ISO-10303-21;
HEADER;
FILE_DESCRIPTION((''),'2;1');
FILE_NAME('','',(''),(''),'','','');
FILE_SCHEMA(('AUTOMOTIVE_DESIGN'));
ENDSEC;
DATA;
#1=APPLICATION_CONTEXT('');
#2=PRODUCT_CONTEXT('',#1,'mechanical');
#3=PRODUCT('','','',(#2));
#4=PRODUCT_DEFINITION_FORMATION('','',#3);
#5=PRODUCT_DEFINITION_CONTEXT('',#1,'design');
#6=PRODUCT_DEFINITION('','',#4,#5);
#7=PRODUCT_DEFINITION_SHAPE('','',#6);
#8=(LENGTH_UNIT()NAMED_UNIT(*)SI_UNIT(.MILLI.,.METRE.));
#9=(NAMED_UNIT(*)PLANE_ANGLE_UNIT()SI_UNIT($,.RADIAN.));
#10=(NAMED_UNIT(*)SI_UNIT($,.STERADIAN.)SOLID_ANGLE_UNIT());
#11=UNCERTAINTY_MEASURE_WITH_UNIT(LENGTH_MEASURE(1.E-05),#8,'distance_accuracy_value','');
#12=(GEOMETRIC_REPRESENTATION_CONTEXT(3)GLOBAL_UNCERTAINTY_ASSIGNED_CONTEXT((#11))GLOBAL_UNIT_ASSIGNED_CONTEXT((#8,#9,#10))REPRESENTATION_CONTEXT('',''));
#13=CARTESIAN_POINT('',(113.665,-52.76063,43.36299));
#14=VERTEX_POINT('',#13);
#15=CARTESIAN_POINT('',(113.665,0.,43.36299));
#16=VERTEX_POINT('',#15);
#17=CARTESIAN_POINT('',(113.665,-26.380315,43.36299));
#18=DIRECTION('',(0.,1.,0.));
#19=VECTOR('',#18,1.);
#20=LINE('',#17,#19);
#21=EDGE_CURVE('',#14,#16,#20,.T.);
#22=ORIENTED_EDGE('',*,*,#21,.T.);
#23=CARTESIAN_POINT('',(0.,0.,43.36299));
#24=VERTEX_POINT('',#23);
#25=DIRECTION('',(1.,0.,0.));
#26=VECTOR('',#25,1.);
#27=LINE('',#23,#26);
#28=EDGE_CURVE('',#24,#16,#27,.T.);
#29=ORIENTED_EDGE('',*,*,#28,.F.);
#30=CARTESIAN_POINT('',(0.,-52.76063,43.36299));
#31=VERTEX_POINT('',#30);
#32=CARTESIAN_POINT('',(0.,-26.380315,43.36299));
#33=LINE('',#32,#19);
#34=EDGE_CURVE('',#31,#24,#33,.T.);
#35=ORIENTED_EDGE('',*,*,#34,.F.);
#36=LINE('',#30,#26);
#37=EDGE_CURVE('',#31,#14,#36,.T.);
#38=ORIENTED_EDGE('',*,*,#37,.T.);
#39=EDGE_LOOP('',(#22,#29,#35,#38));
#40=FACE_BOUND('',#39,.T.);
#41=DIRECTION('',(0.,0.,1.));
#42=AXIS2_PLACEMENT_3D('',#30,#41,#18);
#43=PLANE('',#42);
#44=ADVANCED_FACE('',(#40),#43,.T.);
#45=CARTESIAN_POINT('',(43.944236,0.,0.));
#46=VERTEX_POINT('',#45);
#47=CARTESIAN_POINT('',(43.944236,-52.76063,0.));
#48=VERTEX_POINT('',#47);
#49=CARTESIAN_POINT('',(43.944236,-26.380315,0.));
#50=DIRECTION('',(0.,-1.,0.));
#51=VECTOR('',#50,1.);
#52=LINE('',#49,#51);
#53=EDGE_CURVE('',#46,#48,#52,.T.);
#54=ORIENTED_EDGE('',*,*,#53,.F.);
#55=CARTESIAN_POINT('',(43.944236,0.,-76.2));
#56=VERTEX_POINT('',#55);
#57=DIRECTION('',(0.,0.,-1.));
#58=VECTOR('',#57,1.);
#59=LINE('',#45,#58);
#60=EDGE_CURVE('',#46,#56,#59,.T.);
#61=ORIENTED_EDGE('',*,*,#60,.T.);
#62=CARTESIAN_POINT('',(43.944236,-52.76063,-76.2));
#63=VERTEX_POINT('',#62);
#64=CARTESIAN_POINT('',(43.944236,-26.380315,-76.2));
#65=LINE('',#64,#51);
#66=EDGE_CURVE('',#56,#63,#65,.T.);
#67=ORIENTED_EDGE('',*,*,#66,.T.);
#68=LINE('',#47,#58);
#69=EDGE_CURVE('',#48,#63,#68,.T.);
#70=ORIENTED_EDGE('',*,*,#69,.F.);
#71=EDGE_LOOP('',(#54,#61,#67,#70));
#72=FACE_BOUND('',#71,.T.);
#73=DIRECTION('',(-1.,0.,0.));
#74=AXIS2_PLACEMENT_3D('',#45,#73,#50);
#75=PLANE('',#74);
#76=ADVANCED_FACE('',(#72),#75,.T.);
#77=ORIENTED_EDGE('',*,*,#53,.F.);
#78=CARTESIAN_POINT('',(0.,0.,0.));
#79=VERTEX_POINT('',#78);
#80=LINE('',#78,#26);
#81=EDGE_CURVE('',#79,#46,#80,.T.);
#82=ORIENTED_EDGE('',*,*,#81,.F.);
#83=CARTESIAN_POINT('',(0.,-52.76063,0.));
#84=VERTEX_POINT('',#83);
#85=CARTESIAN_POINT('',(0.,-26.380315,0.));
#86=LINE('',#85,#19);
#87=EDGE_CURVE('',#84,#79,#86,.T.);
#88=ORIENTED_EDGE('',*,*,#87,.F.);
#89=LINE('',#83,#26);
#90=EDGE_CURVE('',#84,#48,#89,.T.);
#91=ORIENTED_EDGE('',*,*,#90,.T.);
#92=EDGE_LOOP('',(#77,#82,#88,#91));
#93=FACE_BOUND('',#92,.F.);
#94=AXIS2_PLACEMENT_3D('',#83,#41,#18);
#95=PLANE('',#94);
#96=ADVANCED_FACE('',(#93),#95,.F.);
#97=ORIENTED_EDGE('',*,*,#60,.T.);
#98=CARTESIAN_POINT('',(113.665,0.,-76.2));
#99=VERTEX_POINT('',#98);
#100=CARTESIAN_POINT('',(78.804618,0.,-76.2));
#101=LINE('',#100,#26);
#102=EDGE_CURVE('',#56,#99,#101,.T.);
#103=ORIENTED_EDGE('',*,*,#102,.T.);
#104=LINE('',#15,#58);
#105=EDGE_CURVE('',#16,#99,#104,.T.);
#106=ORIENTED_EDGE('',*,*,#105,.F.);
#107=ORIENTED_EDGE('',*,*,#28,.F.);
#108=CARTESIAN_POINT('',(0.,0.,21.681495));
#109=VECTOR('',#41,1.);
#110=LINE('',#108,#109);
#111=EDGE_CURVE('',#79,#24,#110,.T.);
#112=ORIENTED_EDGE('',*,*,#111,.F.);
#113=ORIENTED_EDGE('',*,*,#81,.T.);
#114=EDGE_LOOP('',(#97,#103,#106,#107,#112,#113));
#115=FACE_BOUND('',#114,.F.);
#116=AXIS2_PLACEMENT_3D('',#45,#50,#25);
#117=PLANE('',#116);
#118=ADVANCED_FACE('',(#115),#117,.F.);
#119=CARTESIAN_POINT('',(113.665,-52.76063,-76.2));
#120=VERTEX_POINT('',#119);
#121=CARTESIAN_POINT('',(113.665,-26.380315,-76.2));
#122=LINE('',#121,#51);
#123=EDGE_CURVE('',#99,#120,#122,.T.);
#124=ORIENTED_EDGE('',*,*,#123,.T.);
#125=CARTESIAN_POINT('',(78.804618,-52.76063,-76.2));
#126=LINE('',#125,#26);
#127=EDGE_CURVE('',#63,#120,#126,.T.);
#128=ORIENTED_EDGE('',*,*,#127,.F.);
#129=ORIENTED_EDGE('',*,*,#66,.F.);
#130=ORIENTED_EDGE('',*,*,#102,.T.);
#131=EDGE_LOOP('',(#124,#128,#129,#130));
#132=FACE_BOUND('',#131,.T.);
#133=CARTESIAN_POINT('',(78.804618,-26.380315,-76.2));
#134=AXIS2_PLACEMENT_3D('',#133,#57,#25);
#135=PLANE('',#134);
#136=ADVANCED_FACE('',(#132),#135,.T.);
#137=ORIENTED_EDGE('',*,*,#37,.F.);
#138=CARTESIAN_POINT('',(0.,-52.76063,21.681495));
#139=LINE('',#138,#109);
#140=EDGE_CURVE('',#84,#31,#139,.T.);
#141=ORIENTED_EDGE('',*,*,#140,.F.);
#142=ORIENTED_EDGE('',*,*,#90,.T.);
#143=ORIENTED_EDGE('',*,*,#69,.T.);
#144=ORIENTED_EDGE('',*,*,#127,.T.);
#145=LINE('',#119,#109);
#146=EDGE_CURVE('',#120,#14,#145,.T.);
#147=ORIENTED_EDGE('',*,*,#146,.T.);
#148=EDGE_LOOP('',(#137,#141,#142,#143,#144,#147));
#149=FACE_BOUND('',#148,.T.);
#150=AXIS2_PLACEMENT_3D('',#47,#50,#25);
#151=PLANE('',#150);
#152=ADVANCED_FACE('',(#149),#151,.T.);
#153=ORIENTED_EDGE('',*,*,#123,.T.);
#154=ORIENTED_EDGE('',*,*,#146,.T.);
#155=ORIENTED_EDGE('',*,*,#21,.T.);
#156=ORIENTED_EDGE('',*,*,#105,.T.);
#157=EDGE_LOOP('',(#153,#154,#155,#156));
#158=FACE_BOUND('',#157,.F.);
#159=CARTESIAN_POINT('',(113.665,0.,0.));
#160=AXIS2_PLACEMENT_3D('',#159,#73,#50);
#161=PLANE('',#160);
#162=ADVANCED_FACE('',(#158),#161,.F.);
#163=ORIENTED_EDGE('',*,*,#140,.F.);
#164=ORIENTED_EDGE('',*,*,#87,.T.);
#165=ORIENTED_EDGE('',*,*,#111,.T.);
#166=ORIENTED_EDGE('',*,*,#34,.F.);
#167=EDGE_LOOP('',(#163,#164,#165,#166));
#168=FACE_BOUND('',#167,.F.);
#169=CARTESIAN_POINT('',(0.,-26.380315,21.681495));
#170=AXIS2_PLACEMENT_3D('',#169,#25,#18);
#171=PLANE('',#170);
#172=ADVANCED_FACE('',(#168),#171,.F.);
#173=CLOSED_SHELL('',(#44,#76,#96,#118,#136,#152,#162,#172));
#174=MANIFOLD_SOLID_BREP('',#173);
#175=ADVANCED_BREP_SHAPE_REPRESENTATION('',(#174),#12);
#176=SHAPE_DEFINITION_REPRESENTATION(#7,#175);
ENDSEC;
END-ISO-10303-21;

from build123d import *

# Parameters (mm, degrees)
F0_W     = 52.760631
F0_H     = 43.36299
F1_DEPTH = 113.665
F2_W     = 69.720764
F2_H     = 52.760631
F3_DEPTH = 76.2


with BuildPart() as f1:
    # F0 (on Right) → F1 (new body)
    with BuildSketch(Plane.YZ):
        with Locations((-26.380315, 21.681495)):
            Rectangle(F0_W, F0_H)
    extrude(amount=F1_DEPTH)

    # F2 (on face) → F3 (join)
    with BuildSketch(Plane(origin=(0, 0, 0), x_dir=(1, 0, 0), z_dir=(0, 0, -1))):
        with Locations((78.804618, 26.380315)):
            Rectangle(F2_W, F2_H)
    extrude(amount=F3_DEPTH)


solid = f1.part
